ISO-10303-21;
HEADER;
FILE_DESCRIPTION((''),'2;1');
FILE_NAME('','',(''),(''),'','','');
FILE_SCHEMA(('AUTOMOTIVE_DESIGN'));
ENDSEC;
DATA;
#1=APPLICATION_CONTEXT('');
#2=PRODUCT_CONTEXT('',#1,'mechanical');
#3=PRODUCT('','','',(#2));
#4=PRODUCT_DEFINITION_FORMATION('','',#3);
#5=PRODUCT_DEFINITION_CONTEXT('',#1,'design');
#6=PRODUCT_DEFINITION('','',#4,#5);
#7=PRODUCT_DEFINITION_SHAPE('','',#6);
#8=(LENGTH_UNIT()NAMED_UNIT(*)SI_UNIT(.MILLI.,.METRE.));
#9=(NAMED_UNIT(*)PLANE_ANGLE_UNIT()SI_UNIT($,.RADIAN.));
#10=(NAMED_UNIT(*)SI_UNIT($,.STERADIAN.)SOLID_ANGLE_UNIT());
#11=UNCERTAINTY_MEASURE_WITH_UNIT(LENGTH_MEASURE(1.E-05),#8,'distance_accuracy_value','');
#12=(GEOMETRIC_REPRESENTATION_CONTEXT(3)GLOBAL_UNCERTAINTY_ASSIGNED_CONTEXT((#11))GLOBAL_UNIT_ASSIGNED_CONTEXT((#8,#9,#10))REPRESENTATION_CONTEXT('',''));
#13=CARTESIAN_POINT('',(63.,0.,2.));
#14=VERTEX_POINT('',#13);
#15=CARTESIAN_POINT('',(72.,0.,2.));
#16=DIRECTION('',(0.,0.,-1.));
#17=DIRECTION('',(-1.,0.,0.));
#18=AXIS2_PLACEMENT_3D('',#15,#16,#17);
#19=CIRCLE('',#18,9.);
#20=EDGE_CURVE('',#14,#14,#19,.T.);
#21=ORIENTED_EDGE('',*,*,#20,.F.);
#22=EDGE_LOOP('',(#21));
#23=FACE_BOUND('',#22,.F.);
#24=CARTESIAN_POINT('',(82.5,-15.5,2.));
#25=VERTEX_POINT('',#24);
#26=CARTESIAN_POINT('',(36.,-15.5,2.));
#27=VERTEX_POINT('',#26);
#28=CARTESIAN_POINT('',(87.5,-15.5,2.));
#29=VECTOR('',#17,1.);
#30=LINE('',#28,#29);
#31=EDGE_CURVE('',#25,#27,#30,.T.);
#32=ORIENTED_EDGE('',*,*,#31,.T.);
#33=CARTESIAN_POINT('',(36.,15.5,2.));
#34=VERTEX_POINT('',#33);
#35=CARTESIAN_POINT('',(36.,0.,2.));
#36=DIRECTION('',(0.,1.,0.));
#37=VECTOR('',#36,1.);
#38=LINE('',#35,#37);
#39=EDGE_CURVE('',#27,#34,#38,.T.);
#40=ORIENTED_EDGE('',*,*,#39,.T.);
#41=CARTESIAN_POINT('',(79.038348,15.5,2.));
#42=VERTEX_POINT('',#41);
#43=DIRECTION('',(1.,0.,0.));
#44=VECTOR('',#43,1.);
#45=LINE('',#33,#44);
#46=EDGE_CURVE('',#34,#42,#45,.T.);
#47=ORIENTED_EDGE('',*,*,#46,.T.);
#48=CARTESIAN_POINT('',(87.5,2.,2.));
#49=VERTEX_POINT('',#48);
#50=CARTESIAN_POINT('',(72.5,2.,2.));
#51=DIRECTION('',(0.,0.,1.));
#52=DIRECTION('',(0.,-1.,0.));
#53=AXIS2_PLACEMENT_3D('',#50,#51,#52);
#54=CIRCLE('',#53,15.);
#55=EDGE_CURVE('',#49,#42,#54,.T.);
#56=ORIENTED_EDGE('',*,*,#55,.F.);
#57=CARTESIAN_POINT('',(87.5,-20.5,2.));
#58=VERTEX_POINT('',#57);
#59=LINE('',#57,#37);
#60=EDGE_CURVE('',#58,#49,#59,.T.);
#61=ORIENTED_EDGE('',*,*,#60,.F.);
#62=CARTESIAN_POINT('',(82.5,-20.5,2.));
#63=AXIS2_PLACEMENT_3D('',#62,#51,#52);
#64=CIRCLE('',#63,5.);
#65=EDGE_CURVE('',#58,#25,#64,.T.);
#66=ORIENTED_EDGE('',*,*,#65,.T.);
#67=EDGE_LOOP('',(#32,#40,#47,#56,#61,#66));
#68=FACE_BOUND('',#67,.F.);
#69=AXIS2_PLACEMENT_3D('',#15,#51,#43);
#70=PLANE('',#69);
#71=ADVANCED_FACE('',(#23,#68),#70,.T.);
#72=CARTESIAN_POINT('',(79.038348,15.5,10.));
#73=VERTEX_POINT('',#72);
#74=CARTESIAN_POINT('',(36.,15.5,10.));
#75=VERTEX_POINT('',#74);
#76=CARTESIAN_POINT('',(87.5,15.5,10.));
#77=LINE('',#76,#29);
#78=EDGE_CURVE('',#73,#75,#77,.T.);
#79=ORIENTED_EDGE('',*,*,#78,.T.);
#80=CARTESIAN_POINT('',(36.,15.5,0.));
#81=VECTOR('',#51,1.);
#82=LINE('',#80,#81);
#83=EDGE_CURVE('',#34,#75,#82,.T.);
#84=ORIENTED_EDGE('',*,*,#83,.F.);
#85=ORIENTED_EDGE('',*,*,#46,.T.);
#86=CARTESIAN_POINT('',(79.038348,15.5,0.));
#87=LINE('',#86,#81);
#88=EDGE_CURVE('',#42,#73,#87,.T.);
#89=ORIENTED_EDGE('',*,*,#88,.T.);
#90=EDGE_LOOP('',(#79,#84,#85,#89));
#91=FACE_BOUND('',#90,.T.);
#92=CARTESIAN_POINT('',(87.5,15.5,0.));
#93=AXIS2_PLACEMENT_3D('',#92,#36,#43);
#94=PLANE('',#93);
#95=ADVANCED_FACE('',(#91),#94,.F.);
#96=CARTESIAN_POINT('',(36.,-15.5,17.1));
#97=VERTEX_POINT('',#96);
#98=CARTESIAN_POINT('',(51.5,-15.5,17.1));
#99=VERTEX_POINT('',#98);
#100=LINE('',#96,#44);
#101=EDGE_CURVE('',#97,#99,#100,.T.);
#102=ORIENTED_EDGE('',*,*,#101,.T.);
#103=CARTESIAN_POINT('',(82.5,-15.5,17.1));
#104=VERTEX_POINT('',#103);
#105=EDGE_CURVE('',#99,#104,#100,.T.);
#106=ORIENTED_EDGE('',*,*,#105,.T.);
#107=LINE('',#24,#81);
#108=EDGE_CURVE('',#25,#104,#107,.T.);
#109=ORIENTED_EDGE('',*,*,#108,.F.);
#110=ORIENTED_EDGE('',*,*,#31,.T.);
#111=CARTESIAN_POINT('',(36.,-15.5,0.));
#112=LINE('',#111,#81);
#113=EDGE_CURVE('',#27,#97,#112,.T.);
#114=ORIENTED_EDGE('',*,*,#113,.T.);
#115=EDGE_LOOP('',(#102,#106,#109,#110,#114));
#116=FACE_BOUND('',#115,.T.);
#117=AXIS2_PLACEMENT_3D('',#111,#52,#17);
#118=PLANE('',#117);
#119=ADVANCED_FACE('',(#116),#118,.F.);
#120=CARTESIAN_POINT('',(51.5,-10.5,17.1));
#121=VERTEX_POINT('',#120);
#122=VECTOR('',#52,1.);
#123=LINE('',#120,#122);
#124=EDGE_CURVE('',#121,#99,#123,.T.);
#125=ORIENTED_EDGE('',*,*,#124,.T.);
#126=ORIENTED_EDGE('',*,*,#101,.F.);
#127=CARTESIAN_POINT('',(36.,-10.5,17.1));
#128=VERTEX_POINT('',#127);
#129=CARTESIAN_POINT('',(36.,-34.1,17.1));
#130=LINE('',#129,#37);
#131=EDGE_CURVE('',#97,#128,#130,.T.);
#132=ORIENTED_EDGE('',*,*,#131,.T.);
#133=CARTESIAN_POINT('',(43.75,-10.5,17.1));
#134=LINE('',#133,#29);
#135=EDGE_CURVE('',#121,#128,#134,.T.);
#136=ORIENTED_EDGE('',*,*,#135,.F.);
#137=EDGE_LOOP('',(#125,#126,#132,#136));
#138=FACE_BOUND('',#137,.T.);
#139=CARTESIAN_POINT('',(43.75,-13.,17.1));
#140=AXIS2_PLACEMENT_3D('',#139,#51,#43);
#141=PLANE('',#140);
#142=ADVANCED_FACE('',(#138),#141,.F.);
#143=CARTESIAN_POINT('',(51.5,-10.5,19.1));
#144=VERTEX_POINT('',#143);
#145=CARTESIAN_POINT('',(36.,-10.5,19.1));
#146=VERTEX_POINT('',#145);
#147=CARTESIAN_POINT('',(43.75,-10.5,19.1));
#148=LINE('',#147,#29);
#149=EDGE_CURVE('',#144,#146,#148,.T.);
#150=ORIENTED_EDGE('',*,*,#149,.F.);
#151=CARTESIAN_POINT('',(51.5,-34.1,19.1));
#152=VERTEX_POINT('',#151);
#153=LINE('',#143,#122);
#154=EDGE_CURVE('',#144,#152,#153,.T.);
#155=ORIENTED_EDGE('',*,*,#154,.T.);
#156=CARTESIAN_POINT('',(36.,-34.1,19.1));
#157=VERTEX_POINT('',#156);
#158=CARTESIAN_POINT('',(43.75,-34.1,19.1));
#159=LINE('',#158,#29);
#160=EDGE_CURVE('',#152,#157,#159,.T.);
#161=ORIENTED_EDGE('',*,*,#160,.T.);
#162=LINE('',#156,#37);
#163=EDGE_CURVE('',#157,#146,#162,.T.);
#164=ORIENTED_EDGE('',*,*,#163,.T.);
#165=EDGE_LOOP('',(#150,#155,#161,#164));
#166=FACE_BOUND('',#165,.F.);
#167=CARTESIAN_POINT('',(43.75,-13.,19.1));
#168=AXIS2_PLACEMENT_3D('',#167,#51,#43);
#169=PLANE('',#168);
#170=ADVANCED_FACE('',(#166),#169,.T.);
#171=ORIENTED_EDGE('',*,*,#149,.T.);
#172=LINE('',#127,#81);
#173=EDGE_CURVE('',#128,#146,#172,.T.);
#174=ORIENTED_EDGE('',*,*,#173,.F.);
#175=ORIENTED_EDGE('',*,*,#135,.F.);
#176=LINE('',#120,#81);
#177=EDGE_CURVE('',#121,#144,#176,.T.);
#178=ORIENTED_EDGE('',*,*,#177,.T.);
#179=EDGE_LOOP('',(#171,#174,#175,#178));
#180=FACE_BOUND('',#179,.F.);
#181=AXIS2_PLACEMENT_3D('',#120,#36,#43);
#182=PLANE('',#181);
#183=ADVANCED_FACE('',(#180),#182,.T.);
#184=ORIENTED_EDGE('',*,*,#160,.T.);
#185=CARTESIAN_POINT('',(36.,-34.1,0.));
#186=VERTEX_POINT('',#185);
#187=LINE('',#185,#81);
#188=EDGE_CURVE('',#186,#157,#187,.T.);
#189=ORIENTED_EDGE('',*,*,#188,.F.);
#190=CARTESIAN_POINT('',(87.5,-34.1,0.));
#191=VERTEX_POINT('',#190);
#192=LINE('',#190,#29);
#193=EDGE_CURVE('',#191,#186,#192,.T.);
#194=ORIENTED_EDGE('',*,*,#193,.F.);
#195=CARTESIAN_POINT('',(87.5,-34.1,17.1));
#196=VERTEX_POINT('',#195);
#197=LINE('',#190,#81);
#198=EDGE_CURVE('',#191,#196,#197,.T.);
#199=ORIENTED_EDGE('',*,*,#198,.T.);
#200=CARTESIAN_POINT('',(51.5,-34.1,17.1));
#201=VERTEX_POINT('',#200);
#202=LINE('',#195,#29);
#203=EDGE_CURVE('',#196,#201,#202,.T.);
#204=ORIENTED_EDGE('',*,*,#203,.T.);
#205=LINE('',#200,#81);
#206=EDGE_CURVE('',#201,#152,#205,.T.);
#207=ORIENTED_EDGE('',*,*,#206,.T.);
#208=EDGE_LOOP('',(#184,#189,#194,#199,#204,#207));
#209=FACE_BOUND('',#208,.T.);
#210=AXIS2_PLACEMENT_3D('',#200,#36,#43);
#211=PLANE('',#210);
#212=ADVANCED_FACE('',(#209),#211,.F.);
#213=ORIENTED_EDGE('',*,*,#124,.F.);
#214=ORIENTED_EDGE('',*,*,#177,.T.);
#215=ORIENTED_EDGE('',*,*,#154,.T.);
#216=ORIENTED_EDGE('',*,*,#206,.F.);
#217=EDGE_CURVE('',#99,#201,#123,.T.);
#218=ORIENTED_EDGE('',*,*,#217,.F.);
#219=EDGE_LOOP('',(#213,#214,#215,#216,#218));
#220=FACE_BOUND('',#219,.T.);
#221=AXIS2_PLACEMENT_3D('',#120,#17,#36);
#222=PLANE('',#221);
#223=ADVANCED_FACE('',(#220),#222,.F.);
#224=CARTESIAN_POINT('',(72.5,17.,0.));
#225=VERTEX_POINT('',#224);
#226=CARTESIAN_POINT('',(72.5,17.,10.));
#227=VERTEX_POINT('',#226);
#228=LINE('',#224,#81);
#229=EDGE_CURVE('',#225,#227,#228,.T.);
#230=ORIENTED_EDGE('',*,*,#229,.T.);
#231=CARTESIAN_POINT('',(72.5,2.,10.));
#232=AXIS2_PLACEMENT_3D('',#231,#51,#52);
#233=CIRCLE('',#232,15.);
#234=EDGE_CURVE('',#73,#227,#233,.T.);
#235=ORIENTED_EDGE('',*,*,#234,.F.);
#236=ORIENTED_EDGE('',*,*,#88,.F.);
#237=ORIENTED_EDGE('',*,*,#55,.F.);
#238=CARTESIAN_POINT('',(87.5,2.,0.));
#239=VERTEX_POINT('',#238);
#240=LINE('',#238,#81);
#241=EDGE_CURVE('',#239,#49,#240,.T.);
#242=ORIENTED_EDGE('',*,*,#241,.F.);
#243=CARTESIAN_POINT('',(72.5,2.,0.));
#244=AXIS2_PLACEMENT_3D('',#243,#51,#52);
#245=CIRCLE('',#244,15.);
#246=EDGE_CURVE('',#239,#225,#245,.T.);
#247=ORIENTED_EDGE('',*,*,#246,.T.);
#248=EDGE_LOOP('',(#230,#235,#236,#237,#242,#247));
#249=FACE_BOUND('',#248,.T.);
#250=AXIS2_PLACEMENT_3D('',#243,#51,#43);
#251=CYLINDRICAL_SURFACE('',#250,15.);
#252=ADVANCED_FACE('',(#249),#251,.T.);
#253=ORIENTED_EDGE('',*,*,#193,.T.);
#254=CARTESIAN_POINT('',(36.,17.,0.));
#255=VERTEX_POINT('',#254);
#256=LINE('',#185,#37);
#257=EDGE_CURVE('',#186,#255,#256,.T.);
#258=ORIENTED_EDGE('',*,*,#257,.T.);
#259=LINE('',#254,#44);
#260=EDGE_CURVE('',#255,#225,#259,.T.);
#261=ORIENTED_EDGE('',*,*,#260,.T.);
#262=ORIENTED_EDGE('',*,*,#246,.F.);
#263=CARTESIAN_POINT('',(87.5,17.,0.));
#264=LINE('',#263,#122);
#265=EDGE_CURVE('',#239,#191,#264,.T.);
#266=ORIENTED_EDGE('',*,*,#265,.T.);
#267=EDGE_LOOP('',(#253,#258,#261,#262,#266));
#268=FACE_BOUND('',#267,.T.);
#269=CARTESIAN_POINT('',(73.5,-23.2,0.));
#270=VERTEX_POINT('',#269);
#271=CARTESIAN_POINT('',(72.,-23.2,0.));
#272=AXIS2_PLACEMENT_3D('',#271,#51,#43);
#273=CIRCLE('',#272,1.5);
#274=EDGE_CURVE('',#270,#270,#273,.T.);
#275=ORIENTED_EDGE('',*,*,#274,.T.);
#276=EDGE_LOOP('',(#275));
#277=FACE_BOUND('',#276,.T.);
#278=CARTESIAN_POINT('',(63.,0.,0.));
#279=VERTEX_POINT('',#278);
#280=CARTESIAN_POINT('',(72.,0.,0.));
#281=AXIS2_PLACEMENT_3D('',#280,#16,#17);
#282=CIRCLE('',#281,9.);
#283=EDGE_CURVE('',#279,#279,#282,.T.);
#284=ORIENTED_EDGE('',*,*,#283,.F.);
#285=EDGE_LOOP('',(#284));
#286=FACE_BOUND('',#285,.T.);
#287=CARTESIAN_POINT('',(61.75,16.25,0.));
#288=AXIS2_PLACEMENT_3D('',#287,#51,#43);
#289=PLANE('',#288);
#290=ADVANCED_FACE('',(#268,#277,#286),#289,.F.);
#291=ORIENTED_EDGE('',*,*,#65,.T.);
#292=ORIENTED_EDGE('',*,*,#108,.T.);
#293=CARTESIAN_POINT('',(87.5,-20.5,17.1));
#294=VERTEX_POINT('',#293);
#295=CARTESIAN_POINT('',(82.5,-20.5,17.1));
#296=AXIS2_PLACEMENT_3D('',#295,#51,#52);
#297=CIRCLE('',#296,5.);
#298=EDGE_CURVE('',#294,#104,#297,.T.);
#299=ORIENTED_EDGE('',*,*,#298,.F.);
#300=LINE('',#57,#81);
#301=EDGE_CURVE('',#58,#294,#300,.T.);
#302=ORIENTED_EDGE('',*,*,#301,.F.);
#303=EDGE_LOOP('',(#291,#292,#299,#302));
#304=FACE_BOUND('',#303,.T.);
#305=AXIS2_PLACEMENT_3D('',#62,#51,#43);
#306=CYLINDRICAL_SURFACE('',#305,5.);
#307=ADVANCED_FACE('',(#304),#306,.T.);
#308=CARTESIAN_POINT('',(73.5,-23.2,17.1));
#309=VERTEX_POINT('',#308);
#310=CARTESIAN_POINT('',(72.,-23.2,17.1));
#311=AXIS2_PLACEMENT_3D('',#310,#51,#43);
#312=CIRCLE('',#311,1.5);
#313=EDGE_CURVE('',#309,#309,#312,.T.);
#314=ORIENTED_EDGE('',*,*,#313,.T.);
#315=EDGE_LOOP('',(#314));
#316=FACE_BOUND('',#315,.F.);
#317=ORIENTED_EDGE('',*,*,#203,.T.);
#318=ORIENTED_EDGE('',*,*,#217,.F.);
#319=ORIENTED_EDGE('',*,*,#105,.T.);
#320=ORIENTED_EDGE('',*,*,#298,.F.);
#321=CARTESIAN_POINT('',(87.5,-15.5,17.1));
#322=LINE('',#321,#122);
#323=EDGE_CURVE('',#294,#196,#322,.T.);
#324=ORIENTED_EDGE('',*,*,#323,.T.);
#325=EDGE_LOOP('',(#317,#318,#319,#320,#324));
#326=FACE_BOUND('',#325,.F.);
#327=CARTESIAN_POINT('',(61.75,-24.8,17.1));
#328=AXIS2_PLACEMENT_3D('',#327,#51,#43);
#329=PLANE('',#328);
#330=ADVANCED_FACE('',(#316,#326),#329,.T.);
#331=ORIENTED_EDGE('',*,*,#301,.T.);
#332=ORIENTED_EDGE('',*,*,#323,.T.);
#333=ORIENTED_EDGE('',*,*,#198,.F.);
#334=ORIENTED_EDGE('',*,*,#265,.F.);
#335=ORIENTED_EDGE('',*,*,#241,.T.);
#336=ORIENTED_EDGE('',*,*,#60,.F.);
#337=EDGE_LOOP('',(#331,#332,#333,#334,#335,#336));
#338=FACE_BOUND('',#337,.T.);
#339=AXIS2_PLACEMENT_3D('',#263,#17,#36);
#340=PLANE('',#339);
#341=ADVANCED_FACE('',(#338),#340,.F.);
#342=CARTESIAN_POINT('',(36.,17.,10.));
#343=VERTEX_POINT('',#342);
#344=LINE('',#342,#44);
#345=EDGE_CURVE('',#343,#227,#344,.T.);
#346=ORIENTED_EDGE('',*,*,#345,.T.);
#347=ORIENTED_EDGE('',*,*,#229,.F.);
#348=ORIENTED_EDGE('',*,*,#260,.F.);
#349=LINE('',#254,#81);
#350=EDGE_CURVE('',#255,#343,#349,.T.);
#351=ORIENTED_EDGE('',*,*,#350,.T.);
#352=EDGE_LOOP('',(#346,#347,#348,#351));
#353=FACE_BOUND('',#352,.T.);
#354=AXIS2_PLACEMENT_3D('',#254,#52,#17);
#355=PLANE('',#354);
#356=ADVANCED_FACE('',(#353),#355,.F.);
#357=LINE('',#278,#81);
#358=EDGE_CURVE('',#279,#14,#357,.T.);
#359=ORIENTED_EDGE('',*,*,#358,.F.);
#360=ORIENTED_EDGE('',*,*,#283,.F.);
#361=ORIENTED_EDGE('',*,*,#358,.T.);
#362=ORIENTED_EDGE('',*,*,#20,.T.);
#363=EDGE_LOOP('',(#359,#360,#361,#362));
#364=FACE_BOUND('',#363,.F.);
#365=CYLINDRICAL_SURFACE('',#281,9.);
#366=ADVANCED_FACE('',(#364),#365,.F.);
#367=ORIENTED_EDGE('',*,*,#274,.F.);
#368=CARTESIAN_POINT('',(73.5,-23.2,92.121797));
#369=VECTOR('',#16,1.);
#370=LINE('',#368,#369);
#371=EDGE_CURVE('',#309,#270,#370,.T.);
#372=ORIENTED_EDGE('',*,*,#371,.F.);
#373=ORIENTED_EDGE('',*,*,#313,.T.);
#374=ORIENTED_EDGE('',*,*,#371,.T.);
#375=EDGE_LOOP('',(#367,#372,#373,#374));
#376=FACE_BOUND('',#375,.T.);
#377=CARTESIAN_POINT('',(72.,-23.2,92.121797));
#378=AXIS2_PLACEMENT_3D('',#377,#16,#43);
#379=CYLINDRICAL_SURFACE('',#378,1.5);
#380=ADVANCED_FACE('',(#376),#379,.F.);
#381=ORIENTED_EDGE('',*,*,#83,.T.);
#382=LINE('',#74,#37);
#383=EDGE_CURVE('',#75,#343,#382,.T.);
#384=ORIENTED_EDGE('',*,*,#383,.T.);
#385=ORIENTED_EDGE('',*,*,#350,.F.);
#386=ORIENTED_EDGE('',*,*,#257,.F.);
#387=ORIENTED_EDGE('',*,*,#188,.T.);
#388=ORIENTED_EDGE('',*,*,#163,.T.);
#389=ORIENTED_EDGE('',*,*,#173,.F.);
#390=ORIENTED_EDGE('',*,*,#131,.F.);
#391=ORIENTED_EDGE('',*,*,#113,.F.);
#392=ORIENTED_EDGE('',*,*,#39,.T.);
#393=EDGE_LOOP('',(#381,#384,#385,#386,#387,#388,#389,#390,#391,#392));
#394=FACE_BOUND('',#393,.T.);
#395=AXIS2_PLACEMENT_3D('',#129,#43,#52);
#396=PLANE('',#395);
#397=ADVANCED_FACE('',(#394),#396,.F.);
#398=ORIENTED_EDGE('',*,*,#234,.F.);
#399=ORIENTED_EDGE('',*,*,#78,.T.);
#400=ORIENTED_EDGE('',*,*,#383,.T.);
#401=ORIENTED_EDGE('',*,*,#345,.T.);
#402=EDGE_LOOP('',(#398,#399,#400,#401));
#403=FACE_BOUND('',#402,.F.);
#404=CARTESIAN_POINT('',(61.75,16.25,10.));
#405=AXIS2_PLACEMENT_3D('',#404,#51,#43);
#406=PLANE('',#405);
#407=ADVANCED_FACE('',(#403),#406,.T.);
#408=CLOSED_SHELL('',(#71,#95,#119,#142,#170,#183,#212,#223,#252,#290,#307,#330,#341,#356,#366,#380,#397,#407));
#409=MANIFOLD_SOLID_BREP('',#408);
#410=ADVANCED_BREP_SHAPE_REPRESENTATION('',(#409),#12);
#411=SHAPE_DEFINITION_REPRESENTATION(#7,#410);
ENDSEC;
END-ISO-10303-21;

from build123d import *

# Parameters (mm, degrees)
F1_DEPTH = 17.1
F0_W     = 31
F0_H     = 31
F0_R     = 9
F0_W_2   = 20.5
F2_DEPTH = 2
F3_DEPTH = 10
F4_R     = 15
F5_W     = 15.5
F5_H     = 5
F5_H_2   = 18.6
F6_DEPTH = 2
F7_D     = 3
F8_R     = 5


with BuildPart() as f1:
    # F0 (on Top) → F1 (new body)
    with BuildSketch(Plane.XY):
        Polygon((36, -15.5), (15.5, -15.5), (-15.5, -15.5), (-15.5, -34.1), (36, -34.1), align=None)
    extrude(amount=F1_DEPTH)

    # F0 (on Top) → F2 (join)
    with BuildSketch(Plane.XY):
        Rectangle(F0_W, F0_H)
        Circle(F0_R, mode=Mode.SUBTRACT)
        with Locations((25.75, 0)):
            Rectangle(F0_W_2, F0_H)
    extrude(amount=F2_DEPTH)

    # F0 (on Top) → F3 (join)
    with BuildSketch(Plane.XY):
        Polygon((-15.5, 15.5), (15.5, 15.5), (36, 15.5), (36, 17), (-15.5, 17), align=None)
    extrude(amount=F3_DEPTH)

    # F4
    f4_edges = [f1.edges().sort_by_distance(p)[0] for p in [
        (-15.5, 17, 5),
    ]]
    fillet(f4_edges, radius=F4_R)

    # F5 (on face) → F6 (join)
    with BuildSketch(Plane.XY.offset(17.1)):
        with Locations((28.25, -13)):
            Rectangle(F5_W, F5_H)
        with Locations((28.25, -24.8)):
            Rectangle(F5_W, F5_H_2)
    extrude(amount=F6_DEPTH)

    # F7 (through all)
    with Locations(Plane.XY.offset(17.1)):
        with Locations((0, -23.2)):
            Hole(F7_D / 2)

    # F8
    f8_edges = [f1.edges().sort_by_distance(p)[0] for p in [
        (-15.5, -15.5, 9.55),
    ]]
    fillet(f8_edges, radius=F8_R)


with BuildPart() as f9_1:
    # F9: instance of F1
    add(f1.part.mirror(Plane(origin=(36, -19.66422, 8.390388), x_dir=(0, 1, 0), z_dir=(1, 0, 0))))


solid = f9_1.part
